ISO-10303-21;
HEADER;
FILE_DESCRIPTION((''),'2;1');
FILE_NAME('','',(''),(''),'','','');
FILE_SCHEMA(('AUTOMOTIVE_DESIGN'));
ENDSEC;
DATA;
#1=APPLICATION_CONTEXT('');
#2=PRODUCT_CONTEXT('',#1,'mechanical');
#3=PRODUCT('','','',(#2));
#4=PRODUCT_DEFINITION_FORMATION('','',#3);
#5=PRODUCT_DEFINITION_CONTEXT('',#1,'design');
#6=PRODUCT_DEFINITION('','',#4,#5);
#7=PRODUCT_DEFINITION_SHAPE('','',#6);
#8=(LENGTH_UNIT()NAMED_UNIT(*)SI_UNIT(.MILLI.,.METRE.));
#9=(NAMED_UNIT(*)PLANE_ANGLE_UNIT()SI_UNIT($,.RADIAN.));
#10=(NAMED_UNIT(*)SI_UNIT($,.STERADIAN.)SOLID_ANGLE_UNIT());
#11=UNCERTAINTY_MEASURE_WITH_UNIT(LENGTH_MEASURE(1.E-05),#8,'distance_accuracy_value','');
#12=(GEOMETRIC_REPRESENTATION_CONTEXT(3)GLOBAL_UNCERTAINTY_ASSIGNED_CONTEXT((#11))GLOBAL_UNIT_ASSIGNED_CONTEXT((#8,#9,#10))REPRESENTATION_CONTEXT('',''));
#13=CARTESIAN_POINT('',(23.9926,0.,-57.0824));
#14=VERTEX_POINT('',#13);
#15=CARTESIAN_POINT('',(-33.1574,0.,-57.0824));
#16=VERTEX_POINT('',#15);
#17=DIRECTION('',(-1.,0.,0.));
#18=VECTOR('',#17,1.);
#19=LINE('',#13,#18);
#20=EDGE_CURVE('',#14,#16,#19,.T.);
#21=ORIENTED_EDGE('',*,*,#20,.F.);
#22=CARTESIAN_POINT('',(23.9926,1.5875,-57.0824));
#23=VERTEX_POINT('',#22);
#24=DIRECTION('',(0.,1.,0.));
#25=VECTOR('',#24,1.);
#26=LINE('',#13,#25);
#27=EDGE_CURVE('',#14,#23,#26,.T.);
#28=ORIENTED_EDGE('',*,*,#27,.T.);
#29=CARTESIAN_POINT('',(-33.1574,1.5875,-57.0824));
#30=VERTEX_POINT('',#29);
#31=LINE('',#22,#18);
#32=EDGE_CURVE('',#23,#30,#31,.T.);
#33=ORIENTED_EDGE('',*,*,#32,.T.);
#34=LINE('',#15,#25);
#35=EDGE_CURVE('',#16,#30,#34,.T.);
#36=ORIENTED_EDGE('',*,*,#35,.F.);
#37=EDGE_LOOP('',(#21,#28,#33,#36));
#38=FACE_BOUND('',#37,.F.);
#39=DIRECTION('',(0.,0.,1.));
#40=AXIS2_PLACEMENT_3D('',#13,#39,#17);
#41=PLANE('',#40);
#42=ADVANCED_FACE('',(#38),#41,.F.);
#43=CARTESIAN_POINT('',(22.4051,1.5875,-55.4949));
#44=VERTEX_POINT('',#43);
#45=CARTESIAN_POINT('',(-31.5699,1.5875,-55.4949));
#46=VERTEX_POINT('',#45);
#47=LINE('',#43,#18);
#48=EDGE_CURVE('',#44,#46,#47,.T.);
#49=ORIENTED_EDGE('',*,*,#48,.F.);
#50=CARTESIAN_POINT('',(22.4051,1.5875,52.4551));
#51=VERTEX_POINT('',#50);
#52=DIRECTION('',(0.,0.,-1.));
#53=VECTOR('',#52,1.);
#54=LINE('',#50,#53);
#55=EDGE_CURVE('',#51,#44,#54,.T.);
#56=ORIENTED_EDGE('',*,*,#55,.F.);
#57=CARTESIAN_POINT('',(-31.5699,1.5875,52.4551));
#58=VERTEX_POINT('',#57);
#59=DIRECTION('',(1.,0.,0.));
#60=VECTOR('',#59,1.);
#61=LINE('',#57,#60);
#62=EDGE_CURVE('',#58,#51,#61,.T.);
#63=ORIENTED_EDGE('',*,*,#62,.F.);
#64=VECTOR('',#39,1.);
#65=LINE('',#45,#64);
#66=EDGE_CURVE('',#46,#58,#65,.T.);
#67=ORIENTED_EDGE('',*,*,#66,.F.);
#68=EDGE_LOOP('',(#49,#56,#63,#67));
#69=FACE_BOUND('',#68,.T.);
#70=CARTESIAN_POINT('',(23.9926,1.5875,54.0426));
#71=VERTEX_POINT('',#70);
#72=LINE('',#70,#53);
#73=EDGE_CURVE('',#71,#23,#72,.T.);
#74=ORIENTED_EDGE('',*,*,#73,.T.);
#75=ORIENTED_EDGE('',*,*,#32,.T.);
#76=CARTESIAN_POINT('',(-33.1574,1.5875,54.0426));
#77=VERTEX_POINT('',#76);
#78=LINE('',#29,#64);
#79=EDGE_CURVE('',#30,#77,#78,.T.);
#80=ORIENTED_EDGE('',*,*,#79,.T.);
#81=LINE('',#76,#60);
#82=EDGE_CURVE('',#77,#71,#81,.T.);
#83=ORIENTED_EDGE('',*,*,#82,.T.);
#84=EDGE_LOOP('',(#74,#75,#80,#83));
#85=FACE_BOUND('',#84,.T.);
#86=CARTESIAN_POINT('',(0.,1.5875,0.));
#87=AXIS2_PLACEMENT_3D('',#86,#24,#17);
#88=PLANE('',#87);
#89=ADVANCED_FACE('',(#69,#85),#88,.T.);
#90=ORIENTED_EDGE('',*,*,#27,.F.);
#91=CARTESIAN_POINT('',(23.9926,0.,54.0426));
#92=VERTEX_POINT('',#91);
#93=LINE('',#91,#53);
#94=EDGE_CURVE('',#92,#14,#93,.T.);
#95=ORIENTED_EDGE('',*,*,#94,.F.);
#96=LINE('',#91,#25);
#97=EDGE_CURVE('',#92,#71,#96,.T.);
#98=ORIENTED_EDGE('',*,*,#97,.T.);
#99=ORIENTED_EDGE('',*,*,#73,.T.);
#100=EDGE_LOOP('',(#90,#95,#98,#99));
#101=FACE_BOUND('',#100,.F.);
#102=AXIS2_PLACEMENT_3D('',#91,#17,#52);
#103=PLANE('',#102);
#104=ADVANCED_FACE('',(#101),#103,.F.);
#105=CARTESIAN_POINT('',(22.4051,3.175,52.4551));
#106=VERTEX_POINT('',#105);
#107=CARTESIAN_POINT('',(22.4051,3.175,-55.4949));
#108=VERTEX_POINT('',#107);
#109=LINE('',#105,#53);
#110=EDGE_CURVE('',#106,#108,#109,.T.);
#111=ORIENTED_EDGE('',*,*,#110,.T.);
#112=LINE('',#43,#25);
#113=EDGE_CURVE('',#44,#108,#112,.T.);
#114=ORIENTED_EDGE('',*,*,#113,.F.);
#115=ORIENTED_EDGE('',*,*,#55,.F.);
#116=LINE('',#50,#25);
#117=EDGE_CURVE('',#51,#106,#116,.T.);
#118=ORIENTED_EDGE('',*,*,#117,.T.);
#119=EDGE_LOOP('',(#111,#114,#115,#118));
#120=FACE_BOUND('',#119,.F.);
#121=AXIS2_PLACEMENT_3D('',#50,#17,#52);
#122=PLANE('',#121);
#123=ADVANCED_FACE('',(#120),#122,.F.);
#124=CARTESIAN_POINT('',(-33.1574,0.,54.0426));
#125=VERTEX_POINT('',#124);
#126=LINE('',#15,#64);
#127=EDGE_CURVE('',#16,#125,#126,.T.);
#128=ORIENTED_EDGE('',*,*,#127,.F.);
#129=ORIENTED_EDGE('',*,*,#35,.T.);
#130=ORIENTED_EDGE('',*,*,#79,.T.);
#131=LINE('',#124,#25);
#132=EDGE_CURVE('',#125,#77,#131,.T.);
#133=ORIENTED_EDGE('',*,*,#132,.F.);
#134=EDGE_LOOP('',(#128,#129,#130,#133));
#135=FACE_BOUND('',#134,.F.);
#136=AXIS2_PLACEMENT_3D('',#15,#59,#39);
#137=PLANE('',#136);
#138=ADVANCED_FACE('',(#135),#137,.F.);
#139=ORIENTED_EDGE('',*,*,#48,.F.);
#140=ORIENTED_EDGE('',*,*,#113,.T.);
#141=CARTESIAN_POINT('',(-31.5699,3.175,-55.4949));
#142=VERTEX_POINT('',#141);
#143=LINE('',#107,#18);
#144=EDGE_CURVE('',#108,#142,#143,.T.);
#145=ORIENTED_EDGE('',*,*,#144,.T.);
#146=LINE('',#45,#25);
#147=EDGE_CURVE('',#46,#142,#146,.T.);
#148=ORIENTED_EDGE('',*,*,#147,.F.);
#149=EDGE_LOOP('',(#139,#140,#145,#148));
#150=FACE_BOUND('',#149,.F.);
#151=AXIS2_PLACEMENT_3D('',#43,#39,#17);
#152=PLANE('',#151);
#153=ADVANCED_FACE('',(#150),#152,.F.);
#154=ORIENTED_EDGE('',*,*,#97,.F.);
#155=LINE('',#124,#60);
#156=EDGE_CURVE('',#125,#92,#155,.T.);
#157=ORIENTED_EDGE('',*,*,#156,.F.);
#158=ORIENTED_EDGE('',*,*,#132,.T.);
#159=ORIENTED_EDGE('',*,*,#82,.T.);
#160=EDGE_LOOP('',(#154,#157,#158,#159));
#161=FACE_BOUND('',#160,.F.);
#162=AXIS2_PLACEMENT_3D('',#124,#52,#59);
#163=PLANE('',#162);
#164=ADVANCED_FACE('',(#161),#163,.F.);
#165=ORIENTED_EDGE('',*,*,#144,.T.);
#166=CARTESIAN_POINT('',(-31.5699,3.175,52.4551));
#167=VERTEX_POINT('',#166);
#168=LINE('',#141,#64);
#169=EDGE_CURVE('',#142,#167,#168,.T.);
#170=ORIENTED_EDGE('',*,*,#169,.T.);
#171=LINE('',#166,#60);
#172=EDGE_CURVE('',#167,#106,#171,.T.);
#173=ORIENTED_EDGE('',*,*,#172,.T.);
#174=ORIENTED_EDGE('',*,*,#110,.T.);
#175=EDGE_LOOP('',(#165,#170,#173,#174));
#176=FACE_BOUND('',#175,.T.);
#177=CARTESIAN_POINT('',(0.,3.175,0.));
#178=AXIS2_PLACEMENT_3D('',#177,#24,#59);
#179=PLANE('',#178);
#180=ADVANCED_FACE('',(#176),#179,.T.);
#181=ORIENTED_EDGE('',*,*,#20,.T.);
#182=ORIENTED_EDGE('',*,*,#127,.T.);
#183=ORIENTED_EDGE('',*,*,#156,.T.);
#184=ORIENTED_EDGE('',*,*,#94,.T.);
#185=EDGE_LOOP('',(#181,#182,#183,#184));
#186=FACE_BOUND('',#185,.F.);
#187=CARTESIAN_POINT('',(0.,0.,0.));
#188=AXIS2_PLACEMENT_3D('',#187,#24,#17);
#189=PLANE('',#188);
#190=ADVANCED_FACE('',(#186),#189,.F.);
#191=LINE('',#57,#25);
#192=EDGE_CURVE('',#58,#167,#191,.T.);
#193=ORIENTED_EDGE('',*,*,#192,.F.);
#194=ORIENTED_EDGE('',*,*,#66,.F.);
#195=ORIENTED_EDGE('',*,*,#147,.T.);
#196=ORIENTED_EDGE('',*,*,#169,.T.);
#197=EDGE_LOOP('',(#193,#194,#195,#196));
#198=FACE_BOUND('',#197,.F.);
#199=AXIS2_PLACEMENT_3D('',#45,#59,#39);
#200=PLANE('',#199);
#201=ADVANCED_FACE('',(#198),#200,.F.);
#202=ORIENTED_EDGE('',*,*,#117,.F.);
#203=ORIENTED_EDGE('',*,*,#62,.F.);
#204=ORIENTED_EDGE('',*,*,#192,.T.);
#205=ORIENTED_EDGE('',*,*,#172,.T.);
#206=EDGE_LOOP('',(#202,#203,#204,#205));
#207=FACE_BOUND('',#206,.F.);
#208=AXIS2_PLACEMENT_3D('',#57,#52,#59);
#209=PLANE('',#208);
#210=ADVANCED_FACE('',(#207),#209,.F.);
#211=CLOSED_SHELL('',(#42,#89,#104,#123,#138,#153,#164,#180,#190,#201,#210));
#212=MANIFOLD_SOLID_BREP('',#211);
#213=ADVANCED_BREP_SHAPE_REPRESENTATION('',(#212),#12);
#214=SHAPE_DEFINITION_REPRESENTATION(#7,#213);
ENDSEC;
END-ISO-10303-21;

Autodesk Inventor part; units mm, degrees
ref_plane "YZ Plane" through (0, 0, 0) normal (1, 0, 0) x (0, 1, 0)
ref_plane "XZ Plane" through (0, 0, 0) normal (0, 1, 0) x (-1, 0, 0)
ref_plane "XY Plane" through (0, 0, 0) normal (0, 0, 1) x (1, 0, 0)
sketch "Sketch1" plane through (0, 0, 0) normal (0, 1, 0) x (-1, 0, 0)
  line L0 (33.1574, 54.0426) -> (-23.9926, 54.0426)
  line L1 (-23.9926, 54.0426) -> (-23.9926, -57.0824)
  line L2 (-23.9926, -57.0824) -> (33.1574, -57.0824)
  line L3 (33.1574, -57.0824) -> (33.1574, 54.0426)
  point P0 (0, 0)
  dimension "d0" = 111.125
  dimension "d1" = 57.15
extrude "Extrusion1" add sketch "Sketch1" along normal blind 1.5875
sketch "Sketch2" plane through (0, 1.5875, 0) normal (0, 1, 0) x (1, 0, 0)
  line L0 (-31.5699, -52.4551) -> (22.4051, -52.4551)
  line L1 (22.4051, -52.4551) -> (22.4051, 55.4949)
  line L2 (22.4051, 55.4949) -> (-31.5699, 55.4949)
  line L3 (-31.5699, 55.4949) -> (-31.5699, -52.4551)
  line L4 (-33.1574, -54.0426) -> (23.9926, -54.0426) projected
  line L5 (23.9926, -54.0426) -> (23.9926, 57.0824) projected
  line L6 (23.9926, 57.0824) -> (-33.1574, 57.0824) projected
  line L7 (-33.1574, 57.0824) -> (-33.1574, -54.0426) projected
  point P0 (0, 0)
  dimension "d4" = 1.5875
  dimension "d5" = 1.5875
  dimension "d6" = 1.5875
  dimension "d7" = 1.5875
extrude "Extrusion2" add sketch "Sketch2" along normal blind 1.5875 contours L3 L2 L1 L0
properties part number "SD_BaseStation_Lid"
